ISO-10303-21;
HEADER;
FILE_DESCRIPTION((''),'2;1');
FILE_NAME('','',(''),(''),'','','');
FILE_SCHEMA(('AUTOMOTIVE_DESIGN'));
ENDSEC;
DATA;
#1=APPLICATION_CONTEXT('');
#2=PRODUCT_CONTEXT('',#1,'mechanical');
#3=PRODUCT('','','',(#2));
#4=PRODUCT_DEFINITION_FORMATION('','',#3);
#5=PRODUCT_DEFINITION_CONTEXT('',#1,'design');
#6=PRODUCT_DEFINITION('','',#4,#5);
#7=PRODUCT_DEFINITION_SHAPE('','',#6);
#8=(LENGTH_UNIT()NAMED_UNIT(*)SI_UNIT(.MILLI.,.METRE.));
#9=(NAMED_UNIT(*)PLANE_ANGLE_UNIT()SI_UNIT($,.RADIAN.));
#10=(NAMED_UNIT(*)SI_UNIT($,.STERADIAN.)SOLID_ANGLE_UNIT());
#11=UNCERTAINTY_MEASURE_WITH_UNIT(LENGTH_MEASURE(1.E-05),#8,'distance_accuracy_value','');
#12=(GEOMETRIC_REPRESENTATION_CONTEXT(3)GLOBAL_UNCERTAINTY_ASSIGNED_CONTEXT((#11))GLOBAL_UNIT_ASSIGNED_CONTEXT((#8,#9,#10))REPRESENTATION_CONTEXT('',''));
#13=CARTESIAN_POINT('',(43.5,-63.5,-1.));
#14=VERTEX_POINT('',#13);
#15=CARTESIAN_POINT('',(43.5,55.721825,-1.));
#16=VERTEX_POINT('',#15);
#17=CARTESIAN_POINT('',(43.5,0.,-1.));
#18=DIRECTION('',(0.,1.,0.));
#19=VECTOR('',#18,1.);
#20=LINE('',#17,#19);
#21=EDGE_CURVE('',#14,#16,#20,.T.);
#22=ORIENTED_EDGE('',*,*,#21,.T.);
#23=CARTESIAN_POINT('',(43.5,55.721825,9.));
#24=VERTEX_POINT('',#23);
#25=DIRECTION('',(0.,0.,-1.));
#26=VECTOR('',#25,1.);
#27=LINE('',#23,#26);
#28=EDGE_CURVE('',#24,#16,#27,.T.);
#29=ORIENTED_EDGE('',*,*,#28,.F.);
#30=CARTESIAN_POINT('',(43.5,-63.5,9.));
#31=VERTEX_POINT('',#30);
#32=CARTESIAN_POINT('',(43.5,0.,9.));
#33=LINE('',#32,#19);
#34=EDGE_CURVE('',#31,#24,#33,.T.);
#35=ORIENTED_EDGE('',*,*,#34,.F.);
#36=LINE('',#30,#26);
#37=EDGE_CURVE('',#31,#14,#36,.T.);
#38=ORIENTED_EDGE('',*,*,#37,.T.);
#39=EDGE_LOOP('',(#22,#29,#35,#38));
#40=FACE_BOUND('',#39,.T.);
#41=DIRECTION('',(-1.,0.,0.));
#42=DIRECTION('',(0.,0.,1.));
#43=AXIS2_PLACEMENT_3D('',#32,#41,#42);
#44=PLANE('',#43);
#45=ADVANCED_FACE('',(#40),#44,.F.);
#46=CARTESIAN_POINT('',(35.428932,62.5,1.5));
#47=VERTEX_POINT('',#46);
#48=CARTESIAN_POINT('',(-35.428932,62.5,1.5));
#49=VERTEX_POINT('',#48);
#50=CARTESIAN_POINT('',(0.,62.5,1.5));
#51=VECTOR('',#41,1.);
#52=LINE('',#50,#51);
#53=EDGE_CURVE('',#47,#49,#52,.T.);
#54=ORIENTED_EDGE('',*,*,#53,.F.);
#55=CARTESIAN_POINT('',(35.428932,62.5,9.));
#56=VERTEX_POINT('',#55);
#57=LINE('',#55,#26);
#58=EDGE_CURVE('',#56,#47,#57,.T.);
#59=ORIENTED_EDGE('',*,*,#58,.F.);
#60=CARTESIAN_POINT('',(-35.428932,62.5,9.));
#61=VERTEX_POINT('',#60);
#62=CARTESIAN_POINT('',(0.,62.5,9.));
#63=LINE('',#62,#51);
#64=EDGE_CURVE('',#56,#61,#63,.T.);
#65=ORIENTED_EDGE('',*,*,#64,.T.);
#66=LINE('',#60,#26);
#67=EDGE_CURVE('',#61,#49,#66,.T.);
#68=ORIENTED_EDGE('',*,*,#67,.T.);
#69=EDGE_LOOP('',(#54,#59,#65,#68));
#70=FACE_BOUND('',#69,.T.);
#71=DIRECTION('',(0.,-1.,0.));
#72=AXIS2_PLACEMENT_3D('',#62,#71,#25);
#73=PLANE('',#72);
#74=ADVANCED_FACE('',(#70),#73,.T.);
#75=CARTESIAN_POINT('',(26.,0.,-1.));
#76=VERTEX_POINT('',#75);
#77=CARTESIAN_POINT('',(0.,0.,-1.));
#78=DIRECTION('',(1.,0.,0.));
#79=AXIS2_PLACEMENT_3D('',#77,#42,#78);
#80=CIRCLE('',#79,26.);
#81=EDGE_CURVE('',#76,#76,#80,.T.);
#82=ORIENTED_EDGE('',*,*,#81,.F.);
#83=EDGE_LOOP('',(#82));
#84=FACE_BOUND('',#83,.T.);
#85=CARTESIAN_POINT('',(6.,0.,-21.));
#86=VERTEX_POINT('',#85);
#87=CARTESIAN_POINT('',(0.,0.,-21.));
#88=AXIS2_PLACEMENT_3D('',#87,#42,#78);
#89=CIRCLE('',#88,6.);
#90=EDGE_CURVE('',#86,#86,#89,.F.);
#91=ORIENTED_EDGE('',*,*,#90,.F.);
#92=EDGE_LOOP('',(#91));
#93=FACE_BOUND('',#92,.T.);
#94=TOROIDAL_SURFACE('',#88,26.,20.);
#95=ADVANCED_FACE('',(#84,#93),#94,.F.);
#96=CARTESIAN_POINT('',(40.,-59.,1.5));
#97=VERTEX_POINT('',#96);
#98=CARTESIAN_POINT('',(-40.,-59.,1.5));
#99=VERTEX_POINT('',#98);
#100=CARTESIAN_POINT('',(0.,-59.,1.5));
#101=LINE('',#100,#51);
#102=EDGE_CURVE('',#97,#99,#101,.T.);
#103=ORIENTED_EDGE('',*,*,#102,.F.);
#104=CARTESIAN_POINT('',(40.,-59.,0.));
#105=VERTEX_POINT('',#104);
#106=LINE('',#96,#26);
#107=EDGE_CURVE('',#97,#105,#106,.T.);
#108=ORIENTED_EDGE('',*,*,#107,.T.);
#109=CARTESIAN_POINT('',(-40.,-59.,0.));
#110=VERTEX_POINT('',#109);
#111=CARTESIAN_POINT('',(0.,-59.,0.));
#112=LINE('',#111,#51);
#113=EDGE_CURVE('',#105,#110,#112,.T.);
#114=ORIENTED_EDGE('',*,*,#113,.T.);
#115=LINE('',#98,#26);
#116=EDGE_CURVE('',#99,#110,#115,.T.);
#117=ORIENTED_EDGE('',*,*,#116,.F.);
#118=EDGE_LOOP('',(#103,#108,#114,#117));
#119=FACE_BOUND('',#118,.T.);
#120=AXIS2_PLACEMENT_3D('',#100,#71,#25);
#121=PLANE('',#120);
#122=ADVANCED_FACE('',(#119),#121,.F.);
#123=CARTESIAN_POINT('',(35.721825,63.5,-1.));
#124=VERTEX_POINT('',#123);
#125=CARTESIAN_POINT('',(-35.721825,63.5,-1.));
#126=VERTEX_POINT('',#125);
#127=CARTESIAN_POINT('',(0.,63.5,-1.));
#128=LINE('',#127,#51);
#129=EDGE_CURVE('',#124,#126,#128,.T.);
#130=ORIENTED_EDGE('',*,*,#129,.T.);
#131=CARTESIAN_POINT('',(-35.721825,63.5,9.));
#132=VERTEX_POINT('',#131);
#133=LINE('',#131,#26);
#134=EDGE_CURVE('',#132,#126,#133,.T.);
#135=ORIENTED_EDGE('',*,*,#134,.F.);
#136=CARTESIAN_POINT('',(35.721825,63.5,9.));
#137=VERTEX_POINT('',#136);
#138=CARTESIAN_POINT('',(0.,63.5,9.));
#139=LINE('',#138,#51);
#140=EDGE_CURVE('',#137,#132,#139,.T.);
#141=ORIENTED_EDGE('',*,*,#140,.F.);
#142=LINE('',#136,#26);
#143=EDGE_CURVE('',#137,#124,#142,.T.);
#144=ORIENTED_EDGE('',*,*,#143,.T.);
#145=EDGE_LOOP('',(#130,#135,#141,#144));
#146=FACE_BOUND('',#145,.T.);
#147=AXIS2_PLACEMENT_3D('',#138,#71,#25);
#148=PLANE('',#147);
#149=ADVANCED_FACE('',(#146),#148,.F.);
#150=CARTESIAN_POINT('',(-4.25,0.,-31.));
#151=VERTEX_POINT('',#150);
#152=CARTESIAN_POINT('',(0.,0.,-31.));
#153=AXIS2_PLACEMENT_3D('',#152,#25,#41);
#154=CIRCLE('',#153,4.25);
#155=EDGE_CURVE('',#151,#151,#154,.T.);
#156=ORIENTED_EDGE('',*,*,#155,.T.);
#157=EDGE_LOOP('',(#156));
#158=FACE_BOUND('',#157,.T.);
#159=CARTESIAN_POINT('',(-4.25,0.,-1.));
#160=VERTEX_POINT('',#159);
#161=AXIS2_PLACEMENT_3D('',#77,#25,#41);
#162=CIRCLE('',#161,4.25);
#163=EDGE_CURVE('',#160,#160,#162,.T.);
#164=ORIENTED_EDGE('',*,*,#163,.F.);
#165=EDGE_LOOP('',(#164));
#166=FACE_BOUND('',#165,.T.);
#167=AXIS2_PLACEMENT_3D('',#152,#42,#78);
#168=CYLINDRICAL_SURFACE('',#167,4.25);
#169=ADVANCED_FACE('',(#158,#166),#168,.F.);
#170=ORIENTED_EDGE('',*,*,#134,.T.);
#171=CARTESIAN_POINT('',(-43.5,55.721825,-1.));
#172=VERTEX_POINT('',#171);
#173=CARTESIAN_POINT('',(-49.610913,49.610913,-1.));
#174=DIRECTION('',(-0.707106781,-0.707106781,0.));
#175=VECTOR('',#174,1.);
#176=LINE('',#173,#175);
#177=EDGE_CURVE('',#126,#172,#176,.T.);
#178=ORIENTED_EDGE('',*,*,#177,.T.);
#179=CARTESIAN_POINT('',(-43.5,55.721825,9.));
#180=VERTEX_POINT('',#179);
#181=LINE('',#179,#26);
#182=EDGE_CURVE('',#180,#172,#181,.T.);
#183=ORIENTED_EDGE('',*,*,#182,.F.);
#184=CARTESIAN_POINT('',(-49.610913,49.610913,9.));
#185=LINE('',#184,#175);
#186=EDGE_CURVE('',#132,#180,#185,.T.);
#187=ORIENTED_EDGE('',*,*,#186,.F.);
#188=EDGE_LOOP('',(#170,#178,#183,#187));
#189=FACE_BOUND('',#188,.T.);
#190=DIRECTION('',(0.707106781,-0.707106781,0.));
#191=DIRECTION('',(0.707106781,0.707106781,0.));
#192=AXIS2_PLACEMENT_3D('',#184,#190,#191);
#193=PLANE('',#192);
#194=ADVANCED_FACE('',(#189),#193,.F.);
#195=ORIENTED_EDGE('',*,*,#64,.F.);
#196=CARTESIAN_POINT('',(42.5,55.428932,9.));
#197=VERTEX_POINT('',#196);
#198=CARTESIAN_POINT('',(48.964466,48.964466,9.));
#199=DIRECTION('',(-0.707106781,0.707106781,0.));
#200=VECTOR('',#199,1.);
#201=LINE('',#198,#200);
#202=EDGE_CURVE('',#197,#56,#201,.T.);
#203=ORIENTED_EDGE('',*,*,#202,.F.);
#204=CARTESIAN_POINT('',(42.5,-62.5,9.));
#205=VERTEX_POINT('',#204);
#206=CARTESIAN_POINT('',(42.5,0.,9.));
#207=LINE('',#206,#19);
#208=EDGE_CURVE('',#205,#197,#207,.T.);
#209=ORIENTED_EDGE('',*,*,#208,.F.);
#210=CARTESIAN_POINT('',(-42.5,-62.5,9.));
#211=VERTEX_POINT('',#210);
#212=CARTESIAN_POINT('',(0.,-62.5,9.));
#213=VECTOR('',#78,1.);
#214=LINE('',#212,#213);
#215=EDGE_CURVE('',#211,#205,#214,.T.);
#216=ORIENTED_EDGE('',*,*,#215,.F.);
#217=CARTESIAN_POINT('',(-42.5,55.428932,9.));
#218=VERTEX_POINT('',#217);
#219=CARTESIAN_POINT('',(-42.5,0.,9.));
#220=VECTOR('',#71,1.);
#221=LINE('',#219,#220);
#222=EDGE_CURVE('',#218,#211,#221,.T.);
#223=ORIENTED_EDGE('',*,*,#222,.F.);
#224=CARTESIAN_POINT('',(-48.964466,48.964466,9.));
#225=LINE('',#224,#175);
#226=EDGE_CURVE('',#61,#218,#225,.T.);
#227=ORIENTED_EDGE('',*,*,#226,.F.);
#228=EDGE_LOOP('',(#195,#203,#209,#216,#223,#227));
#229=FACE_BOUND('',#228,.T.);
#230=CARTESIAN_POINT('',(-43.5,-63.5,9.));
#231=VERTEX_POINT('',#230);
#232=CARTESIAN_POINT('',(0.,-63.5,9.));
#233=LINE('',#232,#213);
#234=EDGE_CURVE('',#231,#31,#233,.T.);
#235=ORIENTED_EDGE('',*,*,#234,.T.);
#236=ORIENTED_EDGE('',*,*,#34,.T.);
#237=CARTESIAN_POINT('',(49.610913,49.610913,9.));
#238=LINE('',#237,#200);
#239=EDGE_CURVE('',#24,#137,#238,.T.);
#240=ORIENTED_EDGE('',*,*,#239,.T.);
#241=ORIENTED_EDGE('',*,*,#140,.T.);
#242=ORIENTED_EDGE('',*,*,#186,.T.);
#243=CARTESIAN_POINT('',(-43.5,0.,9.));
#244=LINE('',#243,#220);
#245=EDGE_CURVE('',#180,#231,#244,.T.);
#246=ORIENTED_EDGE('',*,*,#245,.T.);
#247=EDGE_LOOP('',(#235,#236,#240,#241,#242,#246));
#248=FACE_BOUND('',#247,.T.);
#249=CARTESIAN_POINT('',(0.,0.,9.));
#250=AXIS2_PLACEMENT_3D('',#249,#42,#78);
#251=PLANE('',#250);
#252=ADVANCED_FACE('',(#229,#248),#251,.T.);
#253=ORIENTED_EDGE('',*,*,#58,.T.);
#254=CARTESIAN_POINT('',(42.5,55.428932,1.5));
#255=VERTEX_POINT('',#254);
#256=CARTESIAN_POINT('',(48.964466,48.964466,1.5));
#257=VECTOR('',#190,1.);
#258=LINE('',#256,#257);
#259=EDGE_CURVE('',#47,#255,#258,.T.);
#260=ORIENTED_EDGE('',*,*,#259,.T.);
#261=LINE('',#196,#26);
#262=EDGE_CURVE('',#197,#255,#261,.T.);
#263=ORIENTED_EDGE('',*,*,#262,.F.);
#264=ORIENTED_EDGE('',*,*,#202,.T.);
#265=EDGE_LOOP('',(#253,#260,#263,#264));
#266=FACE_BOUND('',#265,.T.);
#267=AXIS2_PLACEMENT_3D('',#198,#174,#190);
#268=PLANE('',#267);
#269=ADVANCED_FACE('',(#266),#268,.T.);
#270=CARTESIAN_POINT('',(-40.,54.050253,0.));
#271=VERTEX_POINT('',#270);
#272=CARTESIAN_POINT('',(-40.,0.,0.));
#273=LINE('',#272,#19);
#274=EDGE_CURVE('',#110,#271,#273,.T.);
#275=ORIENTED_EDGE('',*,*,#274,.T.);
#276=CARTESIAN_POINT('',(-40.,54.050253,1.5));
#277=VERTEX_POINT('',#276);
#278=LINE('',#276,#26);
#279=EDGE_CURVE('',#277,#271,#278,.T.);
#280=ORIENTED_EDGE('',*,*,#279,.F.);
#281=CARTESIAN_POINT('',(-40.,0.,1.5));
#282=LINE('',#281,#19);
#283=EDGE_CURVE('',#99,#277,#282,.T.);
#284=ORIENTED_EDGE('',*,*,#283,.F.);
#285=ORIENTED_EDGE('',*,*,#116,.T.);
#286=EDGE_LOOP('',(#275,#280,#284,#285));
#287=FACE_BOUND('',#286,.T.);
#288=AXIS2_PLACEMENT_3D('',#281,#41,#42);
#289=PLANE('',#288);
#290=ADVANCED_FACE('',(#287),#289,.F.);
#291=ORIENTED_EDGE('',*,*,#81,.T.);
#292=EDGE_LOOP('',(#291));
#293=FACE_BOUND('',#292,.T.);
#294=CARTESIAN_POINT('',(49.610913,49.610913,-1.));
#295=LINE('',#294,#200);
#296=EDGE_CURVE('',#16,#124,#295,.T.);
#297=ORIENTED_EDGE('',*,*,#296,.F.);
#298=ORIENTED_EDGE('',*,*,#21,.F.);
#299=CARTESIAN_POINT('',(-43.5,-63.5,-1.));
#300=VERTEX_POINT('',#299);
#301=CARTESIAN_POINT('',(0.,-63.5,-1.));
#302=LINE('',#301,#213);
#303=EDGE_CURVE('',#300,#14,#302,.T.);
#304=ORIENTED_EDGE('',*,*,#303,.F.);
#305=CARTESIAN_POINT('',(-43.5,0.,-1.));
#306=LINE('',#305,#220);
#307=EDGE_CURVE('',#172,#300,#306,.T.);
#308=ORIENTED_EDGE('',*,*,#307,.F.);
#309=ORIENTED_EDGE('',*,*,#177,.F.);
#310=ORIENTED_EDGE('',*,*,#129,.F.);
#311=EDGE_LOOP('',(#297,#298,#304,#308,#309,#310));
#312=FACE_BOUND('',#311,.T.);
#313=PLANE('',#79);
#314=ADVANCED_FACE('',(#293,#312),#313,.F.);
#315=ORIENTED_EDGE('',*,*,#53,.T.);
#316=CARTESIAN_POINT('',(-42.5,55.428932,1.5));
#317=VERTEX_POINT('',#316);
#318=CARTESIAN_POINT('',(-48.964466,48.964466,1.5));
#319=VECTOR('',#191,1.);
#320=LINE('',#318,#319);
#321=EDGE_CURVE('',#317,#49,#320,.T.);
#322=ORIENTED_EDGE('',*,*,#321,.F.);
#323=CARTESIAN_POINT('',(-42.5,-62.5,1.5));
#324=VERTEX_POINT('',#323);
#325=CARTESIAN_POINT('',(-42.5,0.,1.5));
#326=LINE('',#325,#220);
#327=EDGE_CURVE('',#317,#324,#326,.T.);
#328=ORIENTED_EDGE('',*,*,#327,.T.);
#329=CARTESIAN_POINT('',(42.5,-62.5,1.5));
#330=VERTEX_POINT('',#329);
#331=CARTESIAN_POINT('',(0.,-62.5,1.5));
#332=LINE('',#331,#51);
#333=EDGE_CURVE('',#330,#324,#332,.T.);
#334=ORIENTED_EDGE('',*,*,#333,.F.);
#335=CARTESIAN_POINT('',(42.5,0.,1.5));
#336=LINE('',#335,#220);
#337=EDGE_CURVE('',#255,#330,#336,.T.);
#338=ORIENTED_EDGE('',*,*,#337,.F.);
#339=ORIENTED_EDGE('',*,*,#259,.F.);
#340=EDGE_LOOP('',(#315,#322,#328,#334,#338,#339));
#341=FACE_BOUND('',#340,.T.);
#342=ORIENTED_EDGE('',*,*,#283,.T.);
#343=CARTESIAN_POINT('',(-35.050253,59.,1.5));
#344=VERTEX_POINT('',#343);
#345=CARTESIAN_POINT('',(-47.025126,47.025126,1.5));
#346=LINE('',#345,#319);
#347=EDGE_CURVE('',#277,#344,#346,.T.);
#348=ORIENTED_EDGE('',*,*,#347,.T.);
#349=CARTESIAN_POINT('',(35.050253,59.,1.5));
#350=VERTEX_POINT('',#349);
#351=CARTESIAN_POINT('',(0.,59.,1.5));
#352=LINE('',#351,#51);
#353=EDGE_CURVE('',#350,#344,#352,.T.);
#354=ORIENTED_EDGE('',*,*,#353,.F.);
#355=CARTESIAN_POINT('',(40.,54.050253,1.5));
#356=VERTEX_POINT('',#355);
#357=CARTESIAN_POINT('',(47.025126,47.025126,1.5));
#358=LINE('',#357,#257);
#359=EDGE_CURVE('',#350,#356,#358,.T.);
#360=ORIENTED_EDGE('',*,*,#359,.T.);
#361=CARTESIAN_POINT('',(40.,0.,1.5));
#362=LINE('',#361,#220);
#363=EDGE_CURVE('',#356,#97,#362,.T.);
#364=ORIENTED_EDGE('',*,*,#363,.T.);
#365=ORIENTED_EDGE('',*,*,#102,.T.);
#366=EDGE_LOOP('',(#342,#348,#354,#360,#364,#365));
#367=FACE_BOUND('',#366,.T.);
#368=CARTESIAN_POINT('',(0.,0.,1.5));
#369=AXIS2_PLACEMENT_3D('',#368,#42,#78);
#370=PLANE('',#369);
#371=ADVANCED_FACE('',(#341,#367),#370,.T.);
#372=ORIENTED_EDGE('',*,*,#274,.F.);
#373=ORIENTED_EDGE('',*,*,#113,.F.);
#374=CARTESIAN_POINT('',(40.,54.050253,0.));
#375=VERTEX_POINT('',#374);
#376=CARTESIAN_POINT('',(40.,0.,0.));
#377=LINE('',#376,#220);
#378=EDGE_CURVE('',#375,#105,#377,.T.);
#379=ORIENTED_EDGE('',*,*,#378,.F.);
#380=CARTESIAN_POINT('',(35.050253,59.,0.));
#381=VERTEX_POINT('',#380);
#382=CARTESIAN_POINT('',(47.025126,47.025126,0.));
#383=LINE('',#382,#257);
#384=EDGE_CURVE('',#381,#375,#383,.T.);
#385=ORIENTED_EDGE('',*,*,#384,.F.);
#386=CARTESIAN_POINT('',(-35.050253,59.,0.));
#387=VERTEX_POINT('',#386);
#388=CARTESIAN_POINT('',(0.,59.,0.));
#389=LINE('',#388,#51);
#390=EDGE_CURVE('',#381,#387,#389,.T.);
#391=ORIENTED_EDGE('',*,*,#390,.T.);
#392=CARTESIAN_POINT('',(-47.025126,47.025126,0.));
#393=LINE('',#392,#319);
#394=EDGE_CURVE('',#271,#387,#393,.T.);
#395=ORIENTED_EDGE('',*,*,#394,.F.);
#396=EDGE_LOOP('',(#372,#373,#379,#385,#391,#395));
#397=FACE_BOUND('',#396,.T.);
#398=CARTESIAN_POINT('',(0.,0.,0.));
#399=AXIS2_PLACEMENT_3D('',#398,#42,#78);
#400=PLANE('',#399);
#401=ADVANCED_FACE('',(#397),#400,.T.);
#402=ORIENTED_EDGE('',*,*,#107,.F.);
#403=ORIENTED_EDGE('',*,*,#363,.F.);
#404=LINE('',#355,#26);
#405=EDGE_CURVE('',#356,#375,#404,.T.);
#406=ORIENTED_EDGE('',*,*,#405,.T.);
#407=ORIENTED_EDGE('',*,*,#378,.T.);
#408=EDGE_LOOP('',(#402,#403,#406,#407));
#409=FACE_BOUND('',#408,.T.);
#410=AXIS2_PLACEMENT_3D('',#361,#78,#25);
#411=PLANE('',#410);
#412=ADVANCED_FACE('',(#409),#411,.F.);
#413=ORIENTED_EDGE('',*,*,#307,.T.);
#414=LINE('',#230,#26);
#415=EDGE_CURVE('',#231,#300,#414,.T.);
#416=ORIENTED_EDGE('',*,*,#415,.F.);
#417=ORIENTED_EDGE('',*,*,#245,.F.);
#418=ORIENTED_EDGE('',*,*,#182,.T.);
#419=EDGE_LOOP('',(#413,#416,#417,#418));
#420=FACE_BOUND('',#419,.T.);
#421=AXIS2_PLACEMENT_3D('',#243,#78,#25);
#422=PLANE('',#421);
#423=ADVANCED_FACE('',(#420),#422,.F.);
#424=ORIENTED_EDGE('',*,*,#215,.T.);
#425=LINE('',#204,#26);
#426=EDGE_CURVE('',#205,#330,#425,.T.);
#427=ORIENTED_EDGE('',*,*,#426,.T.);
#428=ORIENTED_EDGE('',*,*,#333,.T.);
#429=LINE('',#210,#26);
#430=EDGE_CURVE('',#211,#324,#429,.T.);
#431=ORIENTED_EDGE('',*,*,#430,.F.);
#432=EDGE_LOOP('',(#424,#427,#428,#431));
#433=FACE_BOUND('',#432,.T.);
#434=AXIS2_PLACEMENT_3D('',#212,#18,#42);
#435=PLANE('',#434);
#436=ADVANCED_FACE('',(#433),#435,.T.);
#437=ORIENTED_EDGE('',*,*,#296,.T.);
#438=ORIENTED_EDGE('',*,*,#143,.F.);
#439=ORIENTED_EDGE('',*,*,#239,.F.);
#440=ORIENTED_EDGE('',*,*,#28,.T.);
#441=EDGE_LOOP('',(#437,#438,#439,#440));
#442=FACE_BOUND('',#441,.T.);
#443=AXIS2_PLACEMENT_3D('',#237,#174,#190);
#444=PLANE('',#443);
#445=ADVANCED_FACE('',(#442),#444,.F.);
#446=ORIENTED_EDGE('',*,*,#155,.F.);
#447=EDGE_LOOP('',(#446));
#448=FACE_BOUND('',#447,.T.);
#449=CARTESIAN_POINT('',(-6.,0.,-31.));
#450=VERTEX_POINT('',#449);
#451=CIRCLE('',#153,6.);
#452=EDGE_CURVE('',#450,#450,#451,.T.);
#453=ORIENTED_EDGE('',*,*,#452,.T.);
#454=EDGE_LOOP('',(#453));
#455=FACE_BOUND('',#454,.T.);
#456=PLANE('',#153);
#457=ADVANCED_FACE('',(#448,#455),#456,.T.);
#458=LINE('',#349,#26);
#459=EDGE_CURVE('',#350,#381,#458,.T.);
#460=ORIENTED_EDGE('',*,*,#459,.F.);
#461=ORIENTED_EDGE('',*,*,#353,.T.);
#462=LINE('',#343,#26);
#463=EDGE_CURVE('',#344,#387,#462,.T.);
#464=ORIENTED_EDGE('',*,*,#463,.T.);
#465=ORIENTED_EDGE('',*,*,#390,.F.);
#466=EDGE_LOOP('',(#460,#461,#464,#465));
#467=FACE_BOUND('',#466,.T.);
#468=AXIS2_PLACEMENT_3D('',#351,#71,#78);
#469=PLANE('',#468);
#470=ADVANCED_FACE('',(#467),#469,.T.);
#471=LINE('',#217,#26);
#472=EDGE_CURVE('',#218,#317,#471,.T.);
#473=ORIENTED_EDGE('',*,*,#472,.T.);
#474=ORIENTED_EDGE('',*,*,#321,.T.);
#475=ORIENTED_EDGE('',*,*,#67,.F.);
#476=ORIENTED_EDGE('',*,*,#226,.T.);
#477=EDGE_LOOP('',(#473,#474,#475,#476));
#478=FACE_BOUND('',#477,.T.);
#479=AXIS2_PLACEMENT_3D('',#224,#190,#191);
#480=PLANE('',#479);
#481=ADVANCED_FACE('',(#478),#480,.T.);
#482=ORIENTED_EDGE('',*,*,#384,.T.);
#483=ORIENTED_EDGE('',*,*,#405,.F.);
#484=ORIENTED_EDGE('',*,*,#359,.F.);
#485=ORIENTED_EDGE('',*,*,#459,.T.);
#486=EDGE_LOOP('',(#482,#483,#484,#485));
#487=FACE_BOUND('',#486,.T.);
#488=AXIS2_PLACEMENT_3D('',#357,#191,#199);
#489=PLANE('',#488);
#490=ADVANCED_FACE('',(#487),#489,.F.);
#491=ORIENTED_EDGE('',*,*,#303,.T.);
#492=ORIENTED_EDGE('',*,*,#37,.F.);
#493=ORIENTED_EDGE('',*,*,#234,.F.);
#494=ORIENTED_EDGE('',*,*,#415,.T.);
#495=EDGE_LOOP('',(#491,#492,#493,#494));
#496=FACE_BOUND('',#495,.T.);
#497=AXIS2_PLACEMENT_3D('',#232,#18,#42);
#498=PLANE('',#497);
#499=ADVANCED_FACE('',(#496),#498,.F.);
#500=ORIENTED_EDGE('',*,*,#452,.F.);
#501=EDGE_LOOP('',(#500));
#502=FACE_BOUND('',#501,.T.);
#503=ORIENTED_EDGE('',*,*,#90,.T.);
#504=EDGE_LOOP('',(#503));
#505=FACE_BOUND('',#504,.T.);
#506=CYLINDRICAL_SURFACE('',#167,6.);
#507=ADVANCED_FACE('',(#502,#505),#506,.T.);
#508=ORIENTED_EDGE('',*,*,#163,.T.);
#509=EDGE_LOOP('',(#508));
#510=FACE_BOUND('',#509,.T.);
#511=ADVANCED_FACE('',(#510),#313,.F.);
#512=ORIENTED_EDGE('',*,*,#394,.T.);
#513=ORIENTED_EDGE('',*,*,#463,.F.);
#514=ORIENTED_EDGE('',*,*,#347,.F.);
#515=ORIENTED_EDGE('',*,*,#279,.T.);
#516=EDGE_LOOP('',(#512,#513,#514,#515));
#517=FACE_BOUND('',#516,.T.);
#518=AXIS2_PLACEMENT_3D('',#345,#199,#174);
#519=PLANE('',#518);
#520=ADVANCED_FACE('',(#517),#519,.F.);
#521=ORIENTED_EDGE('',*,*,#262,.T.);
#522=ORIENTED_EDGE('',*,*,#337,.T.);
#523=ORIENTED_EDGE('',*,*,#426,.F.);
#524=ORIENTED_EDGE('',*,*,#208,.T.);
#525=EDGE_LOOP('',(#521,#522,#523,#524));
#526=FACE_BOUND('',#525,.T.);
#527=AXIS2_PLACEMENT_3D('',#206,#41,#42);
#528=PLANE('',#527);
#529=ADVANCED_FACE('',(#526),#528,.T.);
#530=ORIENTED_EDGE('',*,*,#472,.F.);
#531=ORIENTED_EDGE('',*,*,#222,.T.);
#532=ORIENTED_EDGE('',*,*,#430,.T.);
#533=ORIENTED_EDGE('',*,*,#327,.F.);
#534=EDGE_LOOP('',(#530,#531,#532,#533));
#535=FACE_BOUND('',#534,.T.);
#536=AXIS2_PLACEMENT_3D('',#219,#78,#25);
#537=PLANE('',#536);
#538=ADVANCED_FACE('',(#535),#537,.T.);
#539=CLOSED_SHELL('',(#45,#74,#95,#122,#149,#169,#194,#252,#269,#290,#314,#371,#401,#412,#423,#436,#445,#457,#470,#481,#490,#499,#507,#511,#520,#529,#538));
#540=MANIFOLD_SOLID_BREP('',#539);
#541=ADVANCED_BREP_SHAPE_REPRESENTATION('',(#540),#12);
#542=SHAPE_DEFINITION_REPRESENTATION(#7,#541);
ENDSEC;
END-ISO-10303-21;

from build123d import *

# Parameters (mm, degrees)
BOSS_EXTRUDE1_DEPTH = 1.5
BOSS_EXTRUDE2_DEPTH = 9
BOSS_EXTRUDE3_DEPTH = 1
SKETCH4_R           = 6
SKETCH4_R_2         = 4.25
BOSS_EXTRUDE4_DEPTH = 30
FILLET1_R           = 20


with BuildPart() as part:
    # Sketch1 → Boss-Extrude1 (new body)
    with BuildSketch(Plane(origin=(0, 0, 0), x_dir=(0, 1, 0), z_dir=(0, 0, 1))):
        Polygon((-62.5, -42.5), (-62.5, 42.5), (55.428932188, 42.5), (62.5, 35.428932188), (62.5, -35.428932188), (55.428932188, -42.5), align=None)
        Polygon((54.050252532, 40), (59, 35.050252532), (59, -35.050252532), (54.050252532, -40), (-59, -40), (-59, 40), align=None, mode=Mode.SUBTRACT)
    extrude(amount=BOSS_EXTRUDE1_DEPTH)

    # Sketch2 → Boss-Extrude2 (add)
    with BuildSketch(Plane(origin=(0, 0, 0), x_dir=(0, 1, 0), z_dir=(0, 0, 1))):
        Polygon((-63.5, 43.5), (-63.5, -43.5), (55.721825407, -43.5), (63.5, -35.721825407), (63.5, 35.721825407), (55.721825407, 43.5), align=None)
        Polygon((-62.5, -42.5), (55.428932188, -42.5), (62.5, -35.428932188), (62.5, 35.428932188), (55.428932188, 42.5), (-62.5, 42.5), align=None, mode=Mode.SUBTRACT)
    extrude(amount=BOSS_EXTRUDE2_DEPTH)

    # Sketch3 → Boss-Extrude3 (add)
    with BuildSketch(Plane(origin=(0, 0, 0), x_dir=(0, 1, 0), z_dir=(0, 0, 1))):
        Polygon((63.5, 35.721825407), (55.721825407, 43.5), (-63.5, 43.5), (-63.5, -43.5), (55.721825407, -43.5), (63.5, -35.721825407), align=None)
    extrude(amount=-BOSS_EXTRUDE3_DEPTH)

    # Sketch4 → Boss-Extrude4 (add)
    with BuildSketch(Plane(origin=(0, 0, -1), x_dir=(1, 0, 0), z_dir=(0, 0, -1))):
        Circle(SKETCH4_R)
        with Locations(Location((0, 0, 0), (0, 0, 180))):
            Circle(SKETCH4_R_2, mode=Mode.SUBTRACT)
    extrude(amount=BOSS_EXTRUDE4_DEPTH)

    # Fillet1
    fillet1_edges = [part.edges().sort_by_distance(p)[0] for p in [
        (-6, 0, -1),
    ]]
    fillet(fillet1_edges, radius=FILLET1_R)


solid = part.part
